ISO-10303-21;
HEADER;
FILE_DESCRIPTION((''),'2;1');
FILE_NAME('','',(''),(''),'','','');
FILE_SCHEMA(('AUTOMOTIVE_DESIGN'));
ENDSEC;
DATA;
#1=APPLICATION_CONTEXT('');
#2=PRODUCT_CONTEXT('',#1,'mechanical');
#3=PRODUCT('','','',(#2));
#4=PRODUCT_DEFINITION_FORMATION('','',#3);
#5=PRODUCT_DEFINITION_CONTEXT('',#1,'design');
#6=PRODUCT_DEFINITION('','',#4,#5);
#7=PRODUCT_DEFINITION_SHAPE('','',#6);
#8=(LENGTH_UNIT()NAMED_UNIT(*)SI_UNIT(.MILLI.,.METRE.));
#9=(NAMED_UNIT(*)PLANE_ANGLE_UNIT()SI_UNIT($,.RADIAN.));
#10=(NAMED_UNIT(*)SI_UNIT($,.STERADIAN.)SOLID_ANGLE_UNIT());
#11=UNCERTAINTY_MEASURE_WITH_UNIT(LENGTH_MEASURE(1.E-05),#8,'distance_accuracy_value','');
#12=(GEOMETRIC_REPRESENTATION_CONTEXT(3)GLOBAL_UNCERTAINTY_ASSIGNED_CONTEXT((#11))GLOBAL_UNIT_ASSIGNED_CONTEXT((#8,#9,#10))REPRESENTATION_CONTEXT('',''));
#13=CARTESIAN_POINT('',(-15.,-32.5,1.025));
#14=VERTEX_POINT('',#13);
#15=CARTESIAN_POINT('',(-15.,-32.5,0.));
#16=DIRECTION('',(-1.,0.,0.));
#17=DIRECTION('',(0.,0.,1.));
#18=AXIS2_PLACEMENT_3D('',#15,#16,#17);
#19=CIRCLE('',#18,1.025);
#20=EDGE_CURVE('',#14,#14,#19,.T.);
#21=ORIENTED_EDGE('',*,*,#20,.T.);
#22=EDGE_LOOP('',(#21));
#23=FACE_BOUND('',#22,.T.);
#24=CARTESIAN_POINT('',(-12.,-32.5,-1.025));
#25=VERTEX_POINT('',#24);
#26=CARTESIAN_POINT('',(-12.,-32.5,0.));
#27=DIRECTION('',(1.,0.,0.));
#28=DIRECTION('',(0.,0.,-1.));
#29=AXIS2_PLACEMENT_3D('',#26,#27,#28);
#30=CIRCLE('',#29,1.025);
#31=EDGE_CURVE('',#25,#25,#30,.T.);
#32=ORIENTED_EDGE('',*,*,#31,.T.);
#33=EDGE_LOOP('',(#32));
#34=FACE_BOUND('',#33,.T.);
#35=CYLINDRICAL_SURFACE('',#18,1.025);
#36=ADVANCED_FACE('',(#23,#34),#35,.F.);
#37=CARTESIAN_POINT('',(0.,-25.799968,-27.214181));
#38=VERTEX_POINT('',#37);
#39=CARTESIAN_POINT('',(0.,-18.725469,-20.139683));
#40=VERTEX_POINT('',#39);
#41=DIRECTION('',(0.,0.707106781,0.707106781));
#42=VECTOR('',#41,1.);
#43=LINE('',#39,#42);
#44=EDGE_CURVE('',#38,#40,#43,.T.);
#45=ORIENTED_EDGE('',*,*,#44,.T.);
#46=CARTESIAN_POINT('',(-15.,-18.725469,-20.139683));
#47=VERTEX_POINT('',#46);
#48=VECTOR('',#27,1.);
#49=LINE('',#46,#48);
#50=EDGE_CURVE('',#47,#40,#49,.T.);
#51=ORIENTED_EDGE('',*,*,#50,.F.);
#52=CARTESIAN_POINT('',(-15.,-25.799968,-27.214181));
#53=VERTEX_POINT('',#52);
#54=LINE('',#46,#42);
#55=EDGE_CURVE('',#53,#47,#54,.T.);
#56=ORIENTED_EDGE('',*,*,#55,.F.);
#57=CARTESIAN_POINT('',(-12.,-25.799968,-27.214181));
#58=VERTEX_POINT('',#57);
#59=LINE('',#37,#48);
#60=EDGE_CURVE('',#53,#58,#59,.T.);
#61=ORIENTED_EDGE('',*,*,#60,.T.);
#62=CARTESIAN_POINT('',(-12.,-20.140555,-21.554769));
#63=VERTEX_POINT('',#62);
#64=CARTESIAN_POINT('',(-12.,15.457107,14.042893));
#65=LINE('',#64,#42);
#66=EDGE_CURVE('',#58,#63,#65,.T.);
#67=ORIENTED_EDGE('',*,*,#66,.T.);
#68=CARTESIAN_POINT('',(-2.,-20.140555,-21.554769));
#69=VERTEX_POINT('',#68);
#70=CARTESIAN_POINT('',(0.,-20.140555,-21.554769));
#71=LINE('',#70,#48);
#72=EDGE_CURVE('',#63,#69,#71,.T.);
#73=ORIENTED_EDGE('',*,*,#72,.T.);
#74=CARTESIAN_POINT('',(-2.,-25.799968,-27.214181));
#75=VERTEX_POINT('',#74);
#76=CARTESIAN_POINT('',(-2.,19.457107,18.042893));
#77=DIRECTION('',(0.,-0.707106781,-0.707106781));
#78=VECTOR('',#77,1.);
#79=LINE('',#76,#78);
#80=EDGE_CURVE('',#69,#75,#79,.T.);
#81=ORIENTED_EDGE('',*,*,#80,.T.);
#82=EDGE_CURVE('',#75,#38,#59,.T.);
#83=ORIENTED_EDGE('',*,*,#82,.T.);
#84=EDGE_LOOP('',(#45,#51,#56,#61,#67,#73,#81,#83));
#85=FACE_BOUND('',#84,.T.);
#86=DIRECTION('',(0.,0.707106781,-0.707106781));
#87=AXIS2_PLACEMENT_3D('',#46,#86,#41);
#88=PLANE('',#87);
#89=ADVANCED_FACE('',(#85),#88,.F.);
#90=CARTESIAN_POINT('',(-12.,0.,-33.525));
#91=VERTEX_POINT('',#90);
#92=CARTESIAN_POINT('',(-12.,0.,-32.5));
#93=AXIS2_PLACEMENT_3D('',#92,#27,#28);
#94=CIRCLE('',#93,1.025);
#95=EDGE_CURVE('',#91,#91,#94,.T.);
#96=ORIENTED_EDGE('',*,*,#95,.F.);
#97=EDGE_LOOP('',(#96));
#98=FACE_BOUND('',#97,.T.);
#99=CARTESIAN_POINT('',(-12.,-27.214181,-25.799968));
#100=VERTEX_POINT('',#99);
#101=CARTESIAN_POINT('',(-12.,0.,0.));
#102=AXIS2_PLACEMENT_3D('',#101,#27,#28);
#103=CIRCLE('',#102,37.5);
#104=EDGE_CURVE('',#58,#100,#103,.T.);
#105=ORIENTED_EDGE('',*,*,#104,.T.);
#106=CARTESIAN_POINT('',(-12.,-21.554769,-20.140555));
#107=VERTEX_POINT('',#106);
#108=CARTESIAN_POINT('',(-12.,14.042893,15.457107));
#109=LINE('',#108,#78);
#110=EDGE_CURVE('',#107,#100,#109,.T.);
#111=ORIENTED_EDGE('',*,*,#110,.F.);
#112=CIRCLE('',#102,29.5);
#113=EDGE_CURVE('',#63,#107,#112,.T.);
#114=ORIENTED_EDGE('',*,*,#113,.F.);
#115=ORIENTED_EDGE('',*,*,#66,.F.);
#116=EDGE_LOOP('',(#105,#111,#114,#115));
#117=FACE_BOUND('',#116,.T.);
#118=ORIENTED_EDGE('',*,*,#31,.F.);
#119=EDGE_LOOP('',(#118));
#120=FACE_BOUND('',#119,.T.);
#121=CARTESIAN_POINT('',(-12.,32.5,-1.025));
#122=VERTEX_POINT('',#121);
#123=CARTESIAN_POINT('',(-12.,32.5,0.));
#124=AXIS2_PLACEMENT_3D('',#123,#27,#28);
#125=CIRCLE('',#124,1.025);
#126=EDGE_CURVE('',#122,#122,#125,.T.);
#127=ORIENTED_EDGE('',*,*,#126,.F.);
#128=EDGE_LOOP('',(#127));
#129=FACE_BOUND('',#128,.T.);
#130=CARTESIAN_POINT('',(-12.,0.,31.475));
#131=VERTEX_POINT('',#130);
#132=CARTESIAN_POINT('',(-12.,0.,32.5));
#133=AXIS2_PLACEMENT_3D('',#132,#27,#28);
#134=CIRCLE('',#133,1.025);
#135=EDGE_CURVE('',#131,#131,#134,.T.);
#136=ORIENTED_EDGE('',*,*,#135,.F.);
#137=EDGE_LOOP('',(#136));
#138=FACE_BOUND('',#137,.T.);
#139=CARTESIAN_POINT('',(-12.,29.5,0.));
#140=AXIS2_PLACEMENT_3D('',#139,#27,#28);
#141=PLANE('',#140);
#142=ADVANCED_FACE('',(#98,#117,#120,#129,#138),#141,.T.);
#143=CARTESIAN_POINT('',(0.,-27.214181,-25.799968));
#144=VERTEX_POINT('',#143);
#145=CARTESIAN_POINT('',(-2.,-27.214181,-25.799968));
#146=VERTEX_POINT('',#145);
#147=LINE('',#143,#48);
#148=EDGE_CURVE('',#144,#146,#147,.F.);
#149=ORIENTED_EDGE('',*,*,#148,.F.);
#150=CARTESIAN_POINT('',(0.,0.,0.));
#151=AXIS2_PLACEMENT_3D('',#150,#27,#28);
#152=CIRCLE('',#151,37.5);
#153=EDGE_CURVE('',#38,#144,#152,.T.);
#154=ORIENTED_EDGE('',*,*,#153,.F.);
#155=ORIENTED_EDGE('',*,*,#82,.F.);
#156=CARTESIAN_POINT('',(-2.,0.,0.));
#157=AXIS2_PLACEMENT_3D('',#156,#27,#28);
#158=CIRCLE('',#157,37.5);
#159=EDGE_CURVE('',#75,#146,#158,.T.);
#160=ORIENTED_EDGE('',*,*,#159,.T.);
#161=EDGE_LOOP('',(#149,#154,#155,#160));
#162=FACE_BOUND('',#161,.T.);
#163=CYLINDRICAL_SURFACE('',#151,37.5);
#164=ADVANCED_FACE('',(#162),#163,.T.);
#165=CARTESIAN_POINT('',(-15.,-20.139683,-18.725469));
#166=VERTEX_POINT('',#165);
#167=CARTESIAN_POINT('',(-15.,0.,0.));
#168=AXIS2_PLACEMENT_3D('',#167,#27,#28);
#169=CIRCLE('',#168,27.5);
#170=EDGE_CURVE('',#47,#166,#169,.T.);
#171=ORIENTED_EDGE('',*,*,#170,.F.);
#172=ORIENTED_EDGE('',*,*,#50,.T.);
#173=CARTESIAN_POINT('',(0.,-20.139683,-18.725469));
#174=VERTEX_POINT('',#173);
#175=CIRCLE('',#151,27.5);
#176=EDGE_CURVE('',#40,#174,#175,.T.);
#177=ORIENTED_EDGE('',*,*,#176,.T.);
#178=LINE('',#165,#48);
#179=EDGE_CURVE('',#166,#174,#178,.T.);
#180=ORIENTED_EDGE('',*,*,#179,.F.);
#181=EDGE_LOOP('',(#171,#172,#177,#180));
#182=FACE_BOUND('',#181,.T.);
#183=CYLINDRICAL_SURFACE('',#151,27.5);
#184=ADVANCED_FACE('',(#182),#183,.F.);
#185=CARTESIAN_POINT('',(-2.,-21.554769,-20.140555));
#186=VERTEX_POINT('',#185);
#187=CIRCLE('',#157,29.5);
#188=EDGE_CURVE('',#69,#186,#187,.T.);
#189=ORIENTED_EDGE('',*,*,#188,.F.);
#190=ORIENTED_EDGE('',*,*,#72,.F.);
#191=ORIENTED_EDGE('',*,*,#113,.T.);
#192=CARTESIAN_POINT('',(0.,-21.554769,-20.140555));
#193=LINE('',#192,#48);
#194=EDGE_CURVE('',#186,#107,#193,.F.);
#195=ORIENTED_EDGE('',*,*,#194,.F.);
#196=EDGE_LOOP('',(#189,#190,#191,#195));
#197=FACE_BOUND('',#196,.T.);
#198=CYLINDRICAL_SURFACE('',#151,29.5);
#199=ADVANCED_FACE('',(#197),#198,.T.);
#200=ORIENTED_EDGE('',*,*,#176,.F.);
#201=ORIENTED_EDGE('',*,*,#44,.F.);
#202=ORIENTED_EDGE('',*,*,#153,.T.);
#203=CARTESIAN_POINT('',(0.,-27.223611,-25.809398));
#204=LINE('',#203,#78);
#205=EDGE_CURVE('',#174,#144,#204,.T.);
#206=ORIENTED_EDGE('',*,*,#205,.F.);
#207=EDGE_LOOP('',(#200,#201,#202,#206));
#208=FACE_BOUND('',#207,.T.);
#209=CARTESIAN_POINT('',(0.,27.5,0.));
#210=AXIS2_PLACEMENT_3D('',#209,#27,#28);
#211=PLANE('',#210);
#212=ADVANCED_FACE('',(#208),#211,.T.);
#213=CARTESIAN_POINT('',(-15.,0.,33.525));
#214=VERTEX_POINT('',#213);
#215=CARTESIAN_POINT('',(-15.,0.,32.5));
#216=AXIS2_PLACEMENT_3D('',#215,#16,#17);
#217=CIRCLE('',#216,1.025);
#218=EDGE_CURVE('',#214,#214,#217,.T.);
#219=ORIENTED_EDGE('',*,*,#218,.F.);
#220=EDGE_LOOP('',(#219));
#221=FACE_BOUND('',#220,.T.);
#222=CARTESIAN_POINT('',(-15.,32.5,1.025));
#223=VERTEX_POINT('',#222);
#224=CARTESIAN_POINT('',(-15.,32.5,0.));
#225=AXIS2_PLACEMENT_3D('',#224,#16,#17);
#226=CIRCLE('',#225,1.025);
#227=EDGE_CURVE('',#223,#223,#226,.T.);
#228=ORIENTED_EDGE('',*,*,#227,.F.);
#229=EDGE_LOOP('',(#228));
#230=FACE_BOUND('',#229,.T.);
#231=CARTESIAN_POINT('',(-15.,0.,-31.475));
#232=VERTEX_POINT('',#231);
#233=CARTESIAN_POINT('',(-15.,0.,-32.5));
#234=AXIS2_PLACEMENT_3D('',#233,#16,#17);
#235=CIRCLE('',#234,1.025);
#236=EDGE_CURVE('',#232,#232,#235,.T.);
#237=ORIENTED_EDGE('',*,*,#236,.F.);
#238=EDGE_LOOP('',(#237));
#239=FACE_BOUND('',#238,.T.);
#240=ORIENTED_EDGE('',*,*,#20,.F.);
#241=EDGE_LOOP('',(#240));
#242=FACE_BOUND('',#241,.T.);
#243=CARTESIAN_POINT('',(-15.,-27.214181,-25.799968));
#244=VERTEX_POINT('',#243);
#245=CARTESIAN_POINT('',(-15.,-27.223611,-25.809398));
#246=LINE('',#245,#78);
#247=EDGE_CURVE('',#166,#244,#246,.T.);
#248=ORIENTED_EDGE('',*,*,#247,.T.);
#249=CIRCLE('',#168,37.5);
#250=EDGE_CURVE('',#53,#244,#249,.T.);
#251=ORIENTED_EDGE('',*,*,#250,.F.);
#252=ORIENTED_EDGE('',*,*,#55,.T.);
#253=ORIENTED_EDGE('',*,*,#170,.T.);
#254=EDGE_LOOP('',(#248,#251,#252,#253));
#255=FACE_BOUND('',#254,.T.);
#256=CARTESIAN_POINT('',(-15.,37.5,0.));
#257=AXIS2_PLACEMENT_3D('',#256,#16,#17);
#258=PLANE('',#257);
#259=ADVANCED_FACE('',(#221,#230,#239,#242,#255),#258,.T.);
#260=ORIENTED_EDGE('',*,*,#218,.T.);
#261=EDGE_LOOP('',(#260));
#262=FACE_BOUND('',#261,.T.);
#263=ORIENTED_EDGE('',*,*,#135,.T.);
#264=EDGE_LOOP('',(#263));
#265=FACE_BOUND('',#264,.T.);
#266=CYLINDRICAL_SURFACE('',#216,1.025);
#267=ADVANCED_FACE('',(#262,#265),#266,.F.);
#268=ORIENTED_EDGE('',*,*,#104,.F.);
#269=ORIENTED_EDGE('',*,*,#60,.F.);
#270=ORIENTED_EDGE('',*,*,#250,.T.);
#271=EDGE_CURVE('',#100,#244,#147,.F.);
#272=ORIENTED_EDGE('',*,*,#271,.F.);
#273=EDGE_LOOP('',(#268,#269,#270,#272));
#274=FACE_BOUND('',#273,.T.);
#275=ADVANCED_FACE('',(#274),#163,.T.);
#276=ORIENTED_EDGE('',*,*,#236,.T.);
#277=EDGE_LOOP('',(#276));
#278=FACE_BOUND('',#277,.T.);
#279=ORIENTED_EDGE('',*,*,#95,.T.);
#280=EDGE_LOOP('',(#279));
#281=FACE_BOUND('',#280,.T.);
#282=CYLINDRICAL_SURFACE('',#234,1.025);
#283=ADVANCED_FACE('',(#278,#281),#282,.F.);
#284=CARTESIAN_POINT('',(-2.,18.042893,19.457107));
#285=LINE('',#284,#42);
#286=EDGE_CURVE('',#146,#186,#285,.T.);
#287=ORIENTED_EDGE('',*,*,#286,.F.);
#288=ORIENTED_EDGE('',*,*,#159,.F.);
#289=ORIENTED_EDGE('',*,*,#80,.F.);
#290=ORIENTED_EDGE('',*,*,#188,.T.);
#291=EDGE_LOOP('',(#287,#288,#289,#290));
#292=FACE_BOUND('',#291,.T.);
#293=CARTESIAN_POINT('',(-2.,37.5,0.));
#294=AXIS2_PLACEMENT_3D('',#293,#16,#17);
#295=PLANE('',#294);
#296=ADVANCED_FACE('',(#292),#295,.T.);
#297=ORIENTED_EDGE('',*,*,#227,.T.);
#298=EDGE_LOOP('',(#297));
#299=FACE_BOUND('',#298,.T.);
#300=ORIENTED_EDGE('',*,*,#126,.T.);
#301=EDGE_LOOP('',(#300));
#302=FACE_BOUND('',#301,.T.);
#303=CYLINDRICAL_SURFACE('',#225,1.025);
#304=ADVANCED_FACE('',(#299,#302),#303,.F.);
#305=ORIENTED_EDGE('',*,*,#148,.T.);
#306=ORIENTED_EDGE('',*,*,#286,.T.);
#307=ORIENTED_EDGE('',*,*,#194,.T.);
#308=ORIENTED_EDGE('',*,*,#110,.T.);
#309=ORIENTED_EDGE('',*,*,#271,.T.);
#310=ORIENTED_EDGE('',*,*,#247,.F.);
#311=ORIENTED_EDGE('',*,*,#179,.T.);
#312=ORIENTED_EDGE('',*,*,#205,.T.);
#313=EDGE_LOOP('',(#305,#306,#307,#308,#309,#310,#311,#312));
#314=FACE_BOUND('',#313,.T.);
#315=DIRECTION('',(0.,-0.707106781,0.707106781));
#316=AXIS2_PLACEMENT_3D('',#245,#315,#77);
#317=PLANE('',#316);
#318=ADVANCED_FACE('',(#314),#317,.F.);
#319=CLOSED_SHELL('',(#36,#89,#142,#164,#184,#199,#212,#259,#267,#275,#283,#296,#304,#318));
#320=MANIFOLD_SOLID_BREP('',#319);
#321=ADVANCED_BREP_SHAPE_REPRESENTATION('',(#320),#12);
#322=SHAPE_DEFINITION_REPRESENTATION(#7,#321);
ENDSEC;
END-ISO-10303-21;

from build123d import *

# Parameters (mm, degrees)
M2_5X0_45_TAPPED_HOLE2_D     = 2.05
M2_5X0_45_TAPPED_HOLE2_DEPTH = 6.35
M2_5X0_45_TAPPED_HOLE2_TIP   = 0.615882135
CUT_EXTRUDE1_DEPTH           = 56.113519213


with BuildPart() as part:
    # Sketch1 → Revolve1 (revolve)
    with BuildSketch(Plane.XY, mode=Mode.PRIVATE) as revolve1_sk:
        Polygon((-15, 27.5), (0, 27.5), (0, 37.5), (-2, 37.5), (-2, 29.5), (-12, 29.5), (-12, 37.5), (-15, 37.5), align=None)
    revolve(revolve1_sk.sketch.rotate(Axis((0, 0, 0), (-1, 0, 0)), 90), axis=Axis((0, 0, 0), (-1, 0, 0)))

    # M2.5x0.45 Tapped Hole2
    with Locations(Plane.ZY.offset(15)):
        with Locations((0, -32.5), (-32.5, 0), (32.5, 0), (0, 32.5)):
            Hole(M2_5X0_45_TAPPED_HOLE2_D / 2, depth=M2_5X0_45_TAPPED_HOLE2_DEPTH)
            with Locations((0, 0, -(M2_5X0_45_TAPPED_HOLE2_DEPTH + M2_5X0_45_TAPPED_HOLE2_TIP / 2))):  # 118° drill point
                Cone(0, M2_5X0_45_TAPPED_HOLE2_D / 2, M2_5X0_45_TAPPED_HOLE2_TIP, mode=Mode.SUBTRACT)

    # Sketch6 → Cut-Extrude1 (cut, through all)
    with BuildSketch(Plane(origin=(0, 0, 0), x_dir=(0, 0, -1), z_dir=(1, 0, 0))):
        Polygon((27.223611076, -25.809397513), (25.809397513, -27.223611076), (18.725468962, -20.139682524), (20.139682524, -18.725468962), align=None)
    extrude(amount=-CUT_EXTRUDE1_DEPTH, mode=Mode.SUBTRACT)


solid = part.part
